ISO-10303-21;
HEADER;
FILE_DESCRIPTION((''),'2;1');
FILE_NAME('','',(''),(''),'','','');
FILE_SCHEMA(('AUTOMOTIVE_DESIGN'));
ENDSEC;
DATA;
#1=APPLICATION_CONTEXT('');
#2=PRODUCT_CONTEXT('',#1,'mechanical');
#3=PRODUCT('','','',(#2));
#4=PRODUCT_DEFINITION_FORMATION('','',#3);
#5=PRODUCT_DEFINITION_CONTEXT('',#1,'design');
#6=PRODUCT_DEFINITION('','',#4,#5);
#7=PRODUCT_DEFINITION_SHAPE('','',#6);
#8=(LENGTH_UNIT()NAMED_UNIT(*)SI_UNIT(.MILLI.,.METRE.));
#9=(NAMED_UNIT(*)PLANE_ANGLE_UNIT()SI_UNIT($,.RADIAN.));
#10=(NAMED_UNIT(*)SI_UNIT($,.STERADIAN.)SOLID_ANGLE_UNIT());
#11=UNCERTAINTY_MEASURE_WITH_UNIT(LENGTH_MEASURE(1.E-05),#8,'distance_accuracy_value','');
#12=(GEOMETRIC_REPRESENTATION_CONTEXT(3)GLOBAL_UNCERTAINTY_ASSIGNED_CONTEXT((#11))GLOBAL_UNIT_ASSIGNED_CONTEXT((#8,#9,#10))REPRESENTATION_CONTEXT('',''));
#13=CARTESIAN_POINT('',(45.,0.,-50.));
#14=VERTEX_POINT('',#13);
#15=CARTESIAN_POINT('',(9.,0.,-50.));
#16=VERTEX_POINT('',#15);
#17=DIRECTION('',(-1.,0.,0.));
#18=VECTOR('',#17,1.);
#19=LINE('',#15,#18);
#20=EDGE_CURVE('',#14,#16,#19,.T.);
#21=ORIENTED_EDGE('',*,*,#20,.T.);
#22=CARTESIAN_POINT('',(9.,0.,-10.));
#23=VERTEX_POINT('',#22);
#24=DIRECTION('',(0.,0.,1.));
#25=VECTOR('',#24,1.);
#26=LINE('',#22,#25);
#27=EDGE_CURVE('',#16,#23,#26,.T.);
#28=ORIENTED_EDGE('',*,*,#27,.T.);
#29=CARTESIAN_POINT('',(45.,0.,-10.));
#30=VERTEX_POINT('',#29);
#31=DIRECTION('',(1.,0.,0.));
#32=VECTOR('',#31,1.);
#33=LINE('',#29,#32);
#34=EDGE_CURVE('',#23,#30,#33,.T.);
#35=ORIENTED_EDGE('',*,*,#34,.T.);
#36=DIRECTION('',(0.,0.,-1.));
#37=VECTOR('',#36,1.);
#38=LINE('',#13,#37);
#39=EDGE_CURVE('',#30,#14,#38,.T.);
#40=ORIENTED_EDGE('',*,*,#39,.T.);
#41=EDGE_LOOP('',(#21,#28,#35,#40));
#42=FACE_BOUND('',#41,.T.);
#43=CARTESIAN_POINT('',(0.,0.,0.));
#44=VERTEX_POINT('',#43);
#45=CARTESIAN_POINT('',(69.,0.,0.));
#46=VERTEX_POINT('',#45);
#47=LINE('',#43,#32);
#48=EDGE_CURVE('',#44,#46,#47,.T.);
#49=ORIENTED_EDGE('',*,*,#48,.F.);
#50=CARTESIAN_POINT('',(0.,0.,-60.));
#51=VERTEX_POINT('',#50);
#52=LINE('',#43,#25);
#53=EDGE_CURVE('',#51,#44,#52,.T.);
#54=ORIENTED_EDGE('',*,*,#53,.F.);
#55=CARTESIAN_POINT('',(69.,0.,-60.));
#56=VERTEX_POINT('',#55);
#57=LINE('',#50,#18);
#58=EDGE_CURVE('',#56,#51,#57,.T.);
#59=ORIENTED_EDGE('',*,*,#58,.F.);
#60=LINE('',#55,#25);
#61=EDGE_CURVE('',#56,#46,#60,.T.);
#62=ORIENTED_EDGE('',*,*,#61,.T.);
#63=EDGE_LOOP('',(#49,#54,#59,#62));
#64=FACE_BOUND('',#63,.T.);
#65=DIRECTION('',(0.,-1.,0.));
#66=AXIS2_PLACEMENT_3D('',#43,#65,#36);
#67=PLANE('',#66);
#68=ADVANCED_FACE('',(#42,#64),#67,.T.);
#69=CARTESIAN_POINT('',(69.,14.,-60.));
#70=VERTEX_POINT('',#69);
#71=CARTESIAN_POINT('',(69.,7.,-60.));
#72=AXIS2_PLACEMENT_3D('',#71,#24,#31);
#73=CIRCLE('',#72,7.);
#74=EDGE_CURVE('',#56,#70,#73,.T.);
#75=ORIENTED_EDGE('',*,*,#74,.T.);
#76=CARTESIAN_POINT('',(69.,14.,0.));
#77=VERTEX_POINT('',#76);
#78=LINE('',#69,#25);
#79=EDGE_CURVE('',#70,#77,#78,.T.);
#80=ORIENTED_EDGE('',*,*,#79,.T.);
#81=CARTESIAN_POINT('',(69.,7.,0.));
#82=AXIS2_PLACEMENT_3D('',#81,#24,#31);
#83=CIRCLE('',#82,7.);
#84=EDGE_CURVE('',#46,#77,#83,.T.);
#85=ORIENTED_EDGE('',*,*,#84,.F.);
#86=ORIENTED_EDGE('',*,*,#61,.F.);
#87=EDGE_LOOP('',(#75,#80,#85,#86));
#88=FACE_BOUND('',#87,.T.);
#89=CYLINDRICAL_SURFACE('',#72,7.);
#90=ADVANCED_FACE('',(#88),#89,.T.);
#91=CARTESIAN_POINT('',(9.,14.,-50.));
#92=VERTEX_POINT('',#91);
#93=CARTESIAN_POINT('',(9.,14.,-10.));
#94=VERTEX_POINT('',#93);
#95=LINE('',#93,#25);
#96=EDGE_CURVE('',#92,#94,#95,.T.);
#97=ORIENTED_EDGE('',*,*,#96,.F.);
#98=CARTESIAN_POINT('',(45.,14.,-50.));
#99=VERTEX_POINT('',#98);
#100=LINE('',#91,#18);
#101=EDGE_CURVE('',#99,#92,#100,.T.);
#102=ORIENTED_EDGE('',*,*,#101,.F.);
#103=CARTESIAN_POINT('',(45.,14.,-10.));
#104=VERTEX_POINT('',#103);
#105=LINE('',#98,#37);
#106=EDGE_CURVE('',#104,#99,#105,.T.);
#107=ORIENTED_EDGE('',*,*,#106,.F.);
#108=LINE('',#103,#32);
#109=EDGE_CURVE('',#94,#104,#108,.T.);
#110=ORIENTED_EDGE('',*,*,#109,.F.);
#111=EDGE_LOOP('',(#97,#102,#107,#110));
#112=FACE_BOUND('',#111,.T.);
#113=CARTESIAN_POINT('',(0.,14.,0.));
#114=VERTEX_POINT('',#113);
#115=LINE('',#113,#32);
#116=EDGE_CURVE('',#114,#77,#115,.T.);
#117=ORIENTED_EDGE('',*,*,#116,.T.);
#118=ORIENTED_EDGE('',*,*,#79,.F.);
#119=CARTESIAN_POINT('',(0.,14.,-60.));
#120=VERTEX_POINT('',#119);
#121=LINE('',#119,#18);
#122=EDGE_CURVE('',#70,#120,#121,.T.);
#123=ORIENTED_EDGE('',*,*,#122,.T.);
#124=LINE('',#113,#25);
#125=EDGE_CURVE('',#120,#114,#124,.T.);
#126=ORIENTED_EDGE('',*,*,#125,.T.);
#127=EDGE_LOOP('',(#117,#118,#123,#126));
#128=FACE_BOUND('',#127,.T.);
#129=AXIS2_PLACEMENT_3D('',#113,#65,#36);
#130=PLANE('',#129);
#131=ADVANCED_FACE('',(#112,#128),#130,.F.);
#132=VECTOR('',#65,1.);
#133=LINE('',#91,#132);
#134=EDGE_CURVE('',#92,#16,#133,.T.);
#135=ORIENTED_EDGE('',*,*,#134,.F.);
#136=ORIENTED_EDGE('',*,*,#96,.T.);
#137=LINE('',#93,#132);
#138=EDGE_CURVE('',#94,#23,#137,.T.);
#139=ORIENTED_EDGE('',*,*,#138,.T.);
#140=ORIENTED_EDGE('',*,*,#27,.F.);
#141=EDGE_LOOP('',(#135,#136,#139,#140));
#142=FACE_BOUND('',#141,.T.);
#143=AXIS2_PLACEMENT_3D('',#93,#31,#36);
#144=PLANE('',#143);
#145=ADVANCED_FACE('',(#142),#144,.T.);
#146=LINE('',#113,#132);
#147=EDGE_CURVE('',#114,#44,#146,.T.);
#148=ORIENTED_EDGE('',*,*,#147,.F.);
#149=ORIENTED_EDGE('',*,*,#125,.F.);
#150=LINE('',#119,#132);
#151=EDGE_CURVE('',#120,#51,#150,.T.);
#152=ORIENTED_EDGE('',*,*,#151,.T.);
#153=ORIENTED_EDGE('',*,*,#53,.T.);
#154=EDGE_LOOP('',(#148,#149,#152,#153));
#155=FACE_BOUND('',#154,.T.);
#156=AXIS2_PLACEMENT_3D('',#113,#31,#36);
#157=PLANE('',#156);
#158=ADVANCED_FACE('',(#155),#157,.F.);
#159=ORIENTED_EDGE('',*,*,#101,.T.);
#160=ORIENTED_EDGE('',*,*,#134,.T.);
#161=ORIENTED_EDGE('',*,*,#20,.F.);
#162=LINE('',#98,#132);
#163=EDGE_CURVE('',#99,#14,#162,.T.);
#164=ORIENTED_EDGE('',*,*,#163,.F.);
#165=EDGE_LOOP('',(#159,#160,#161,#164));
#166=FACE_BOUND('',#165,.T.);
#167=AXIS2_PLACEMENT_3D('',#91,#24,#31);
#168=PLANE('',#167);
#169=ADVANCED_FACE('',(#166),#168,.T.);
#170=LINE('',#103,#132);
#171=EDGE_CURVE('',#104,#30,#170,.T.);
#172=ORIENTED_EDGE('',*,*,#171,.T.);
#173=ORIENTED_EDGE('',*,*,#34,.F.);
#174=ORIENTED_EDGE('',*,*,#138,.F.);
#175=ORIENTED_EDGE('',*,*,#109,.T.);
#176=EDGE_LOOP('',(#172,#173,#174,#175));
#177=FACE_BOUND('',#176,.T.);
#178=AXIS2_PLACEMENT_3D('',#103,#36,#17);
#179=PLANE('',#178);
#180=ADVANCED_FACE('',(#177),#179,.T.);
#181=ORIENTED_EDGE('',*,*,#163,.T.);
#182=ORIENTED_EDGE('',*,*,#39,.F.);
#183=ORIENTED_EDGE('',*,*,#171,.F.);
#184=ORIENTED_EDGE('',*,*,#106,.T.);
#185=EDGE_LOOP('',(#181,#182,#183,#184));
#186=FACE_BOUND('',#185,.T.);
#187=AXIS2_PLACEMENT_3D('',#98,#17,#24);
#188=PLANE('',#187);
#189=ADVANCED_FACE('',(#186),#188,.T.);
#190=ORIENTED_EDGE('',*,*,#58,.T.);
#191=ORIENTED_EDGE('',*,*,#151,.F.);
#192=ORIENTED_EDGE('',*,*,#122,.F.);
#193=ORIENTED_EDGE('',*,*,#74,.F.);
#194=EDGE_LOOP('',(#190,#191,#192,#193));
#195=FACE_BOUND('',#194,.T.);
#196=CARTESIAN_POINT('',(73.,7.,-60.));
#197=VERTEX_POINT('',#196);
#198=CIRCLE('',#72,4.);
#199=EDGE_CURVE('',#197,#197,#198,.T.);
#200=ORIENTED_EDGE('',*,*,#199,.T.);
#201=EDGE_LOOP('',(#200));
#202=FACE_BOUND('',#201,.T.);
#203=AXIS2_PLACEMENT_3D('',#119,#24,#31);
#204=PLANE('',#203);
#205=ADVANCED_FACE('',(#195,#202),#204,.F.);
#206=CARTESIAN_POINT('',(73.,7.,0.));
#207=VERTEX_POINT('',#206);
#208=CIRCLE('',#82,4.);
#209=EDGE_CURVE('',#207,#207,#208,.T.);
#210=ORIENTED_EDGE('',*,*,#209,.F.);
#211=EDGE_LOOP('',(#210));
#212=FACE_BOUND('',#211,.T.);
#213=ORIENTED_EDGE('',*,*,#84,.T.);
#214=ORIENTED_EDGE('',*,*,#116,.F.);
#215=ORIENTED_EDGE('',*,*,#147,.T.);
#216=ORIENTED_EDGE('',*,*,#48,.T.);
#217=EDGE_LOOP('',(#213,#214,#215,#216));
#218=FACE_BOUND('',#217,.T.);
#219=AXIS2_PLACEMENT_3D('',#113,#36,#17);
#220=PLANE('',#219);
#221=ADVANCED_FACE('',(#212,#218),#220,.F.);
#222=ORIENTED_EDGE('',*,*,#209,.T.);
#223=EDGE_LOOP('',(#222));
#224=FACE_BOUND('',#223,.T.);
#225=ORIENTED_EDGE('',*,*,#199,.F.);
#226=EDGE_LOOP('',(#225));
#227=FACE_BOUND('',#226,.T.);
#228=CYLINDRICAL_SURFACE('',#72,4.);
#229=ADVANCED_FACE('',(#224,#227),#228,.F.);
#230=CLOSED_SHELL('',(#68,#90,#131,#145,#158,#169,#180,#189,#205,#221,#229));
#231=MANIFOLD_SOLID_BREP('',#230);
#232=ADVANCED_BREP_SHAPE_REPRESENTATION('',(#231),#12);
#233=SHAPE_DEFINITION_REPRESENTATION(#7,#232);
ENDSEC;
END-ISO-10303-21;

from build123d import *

# Parameters (mm, degrees)
SKETCH_1_W      = 55
SKETCH_1_H      = 60
SKETCH_1_W_2    = 36
SKETCH_1_H_2    = 40
EXTRUDE_1_DEPTH = 14
SKETCH_2_R      = 4
EXTRUDE_2_DEPTH = 60


with BuildPart() as part:
    # 草图1 → 凸台-拉伸1 (new body)
    with BuildSketch(Plane(origin=(0, 0, 0), x_dir=(1, 0, 0), z_dir=(0, 1, 0))):
        with Locations((27.5, 30)):
            Rectangle(SKETCH_1_W, SKETCH_1_H)
        with Locations((27, 30)):
            Rectangle(SKETCH_1_W_2, SKETCH_1_H_2, mode=Mode.SUBTRACT)
    extrude(amount=EXTRUDE_1_DEPTH)

    # 草图2 → 凸台-拉伸2 (add)
    with BuildSketch(Plane.XY):
        with BuildLine():
            Line((55, 14), (69, 14))
            ThreePointArc((69, 14), (76, 7), (69, 0))
            Line((69, 0), (55, 0))
            Line((55, 0), (55, 14))
        make_face()
        with Locations((69, 7)):
            Circle(SKETCH_2_R, mode=Mode.SUBTRACT)
    extrude(amount=-EXTRUDE_2_DEPTH)


solid = part.part
